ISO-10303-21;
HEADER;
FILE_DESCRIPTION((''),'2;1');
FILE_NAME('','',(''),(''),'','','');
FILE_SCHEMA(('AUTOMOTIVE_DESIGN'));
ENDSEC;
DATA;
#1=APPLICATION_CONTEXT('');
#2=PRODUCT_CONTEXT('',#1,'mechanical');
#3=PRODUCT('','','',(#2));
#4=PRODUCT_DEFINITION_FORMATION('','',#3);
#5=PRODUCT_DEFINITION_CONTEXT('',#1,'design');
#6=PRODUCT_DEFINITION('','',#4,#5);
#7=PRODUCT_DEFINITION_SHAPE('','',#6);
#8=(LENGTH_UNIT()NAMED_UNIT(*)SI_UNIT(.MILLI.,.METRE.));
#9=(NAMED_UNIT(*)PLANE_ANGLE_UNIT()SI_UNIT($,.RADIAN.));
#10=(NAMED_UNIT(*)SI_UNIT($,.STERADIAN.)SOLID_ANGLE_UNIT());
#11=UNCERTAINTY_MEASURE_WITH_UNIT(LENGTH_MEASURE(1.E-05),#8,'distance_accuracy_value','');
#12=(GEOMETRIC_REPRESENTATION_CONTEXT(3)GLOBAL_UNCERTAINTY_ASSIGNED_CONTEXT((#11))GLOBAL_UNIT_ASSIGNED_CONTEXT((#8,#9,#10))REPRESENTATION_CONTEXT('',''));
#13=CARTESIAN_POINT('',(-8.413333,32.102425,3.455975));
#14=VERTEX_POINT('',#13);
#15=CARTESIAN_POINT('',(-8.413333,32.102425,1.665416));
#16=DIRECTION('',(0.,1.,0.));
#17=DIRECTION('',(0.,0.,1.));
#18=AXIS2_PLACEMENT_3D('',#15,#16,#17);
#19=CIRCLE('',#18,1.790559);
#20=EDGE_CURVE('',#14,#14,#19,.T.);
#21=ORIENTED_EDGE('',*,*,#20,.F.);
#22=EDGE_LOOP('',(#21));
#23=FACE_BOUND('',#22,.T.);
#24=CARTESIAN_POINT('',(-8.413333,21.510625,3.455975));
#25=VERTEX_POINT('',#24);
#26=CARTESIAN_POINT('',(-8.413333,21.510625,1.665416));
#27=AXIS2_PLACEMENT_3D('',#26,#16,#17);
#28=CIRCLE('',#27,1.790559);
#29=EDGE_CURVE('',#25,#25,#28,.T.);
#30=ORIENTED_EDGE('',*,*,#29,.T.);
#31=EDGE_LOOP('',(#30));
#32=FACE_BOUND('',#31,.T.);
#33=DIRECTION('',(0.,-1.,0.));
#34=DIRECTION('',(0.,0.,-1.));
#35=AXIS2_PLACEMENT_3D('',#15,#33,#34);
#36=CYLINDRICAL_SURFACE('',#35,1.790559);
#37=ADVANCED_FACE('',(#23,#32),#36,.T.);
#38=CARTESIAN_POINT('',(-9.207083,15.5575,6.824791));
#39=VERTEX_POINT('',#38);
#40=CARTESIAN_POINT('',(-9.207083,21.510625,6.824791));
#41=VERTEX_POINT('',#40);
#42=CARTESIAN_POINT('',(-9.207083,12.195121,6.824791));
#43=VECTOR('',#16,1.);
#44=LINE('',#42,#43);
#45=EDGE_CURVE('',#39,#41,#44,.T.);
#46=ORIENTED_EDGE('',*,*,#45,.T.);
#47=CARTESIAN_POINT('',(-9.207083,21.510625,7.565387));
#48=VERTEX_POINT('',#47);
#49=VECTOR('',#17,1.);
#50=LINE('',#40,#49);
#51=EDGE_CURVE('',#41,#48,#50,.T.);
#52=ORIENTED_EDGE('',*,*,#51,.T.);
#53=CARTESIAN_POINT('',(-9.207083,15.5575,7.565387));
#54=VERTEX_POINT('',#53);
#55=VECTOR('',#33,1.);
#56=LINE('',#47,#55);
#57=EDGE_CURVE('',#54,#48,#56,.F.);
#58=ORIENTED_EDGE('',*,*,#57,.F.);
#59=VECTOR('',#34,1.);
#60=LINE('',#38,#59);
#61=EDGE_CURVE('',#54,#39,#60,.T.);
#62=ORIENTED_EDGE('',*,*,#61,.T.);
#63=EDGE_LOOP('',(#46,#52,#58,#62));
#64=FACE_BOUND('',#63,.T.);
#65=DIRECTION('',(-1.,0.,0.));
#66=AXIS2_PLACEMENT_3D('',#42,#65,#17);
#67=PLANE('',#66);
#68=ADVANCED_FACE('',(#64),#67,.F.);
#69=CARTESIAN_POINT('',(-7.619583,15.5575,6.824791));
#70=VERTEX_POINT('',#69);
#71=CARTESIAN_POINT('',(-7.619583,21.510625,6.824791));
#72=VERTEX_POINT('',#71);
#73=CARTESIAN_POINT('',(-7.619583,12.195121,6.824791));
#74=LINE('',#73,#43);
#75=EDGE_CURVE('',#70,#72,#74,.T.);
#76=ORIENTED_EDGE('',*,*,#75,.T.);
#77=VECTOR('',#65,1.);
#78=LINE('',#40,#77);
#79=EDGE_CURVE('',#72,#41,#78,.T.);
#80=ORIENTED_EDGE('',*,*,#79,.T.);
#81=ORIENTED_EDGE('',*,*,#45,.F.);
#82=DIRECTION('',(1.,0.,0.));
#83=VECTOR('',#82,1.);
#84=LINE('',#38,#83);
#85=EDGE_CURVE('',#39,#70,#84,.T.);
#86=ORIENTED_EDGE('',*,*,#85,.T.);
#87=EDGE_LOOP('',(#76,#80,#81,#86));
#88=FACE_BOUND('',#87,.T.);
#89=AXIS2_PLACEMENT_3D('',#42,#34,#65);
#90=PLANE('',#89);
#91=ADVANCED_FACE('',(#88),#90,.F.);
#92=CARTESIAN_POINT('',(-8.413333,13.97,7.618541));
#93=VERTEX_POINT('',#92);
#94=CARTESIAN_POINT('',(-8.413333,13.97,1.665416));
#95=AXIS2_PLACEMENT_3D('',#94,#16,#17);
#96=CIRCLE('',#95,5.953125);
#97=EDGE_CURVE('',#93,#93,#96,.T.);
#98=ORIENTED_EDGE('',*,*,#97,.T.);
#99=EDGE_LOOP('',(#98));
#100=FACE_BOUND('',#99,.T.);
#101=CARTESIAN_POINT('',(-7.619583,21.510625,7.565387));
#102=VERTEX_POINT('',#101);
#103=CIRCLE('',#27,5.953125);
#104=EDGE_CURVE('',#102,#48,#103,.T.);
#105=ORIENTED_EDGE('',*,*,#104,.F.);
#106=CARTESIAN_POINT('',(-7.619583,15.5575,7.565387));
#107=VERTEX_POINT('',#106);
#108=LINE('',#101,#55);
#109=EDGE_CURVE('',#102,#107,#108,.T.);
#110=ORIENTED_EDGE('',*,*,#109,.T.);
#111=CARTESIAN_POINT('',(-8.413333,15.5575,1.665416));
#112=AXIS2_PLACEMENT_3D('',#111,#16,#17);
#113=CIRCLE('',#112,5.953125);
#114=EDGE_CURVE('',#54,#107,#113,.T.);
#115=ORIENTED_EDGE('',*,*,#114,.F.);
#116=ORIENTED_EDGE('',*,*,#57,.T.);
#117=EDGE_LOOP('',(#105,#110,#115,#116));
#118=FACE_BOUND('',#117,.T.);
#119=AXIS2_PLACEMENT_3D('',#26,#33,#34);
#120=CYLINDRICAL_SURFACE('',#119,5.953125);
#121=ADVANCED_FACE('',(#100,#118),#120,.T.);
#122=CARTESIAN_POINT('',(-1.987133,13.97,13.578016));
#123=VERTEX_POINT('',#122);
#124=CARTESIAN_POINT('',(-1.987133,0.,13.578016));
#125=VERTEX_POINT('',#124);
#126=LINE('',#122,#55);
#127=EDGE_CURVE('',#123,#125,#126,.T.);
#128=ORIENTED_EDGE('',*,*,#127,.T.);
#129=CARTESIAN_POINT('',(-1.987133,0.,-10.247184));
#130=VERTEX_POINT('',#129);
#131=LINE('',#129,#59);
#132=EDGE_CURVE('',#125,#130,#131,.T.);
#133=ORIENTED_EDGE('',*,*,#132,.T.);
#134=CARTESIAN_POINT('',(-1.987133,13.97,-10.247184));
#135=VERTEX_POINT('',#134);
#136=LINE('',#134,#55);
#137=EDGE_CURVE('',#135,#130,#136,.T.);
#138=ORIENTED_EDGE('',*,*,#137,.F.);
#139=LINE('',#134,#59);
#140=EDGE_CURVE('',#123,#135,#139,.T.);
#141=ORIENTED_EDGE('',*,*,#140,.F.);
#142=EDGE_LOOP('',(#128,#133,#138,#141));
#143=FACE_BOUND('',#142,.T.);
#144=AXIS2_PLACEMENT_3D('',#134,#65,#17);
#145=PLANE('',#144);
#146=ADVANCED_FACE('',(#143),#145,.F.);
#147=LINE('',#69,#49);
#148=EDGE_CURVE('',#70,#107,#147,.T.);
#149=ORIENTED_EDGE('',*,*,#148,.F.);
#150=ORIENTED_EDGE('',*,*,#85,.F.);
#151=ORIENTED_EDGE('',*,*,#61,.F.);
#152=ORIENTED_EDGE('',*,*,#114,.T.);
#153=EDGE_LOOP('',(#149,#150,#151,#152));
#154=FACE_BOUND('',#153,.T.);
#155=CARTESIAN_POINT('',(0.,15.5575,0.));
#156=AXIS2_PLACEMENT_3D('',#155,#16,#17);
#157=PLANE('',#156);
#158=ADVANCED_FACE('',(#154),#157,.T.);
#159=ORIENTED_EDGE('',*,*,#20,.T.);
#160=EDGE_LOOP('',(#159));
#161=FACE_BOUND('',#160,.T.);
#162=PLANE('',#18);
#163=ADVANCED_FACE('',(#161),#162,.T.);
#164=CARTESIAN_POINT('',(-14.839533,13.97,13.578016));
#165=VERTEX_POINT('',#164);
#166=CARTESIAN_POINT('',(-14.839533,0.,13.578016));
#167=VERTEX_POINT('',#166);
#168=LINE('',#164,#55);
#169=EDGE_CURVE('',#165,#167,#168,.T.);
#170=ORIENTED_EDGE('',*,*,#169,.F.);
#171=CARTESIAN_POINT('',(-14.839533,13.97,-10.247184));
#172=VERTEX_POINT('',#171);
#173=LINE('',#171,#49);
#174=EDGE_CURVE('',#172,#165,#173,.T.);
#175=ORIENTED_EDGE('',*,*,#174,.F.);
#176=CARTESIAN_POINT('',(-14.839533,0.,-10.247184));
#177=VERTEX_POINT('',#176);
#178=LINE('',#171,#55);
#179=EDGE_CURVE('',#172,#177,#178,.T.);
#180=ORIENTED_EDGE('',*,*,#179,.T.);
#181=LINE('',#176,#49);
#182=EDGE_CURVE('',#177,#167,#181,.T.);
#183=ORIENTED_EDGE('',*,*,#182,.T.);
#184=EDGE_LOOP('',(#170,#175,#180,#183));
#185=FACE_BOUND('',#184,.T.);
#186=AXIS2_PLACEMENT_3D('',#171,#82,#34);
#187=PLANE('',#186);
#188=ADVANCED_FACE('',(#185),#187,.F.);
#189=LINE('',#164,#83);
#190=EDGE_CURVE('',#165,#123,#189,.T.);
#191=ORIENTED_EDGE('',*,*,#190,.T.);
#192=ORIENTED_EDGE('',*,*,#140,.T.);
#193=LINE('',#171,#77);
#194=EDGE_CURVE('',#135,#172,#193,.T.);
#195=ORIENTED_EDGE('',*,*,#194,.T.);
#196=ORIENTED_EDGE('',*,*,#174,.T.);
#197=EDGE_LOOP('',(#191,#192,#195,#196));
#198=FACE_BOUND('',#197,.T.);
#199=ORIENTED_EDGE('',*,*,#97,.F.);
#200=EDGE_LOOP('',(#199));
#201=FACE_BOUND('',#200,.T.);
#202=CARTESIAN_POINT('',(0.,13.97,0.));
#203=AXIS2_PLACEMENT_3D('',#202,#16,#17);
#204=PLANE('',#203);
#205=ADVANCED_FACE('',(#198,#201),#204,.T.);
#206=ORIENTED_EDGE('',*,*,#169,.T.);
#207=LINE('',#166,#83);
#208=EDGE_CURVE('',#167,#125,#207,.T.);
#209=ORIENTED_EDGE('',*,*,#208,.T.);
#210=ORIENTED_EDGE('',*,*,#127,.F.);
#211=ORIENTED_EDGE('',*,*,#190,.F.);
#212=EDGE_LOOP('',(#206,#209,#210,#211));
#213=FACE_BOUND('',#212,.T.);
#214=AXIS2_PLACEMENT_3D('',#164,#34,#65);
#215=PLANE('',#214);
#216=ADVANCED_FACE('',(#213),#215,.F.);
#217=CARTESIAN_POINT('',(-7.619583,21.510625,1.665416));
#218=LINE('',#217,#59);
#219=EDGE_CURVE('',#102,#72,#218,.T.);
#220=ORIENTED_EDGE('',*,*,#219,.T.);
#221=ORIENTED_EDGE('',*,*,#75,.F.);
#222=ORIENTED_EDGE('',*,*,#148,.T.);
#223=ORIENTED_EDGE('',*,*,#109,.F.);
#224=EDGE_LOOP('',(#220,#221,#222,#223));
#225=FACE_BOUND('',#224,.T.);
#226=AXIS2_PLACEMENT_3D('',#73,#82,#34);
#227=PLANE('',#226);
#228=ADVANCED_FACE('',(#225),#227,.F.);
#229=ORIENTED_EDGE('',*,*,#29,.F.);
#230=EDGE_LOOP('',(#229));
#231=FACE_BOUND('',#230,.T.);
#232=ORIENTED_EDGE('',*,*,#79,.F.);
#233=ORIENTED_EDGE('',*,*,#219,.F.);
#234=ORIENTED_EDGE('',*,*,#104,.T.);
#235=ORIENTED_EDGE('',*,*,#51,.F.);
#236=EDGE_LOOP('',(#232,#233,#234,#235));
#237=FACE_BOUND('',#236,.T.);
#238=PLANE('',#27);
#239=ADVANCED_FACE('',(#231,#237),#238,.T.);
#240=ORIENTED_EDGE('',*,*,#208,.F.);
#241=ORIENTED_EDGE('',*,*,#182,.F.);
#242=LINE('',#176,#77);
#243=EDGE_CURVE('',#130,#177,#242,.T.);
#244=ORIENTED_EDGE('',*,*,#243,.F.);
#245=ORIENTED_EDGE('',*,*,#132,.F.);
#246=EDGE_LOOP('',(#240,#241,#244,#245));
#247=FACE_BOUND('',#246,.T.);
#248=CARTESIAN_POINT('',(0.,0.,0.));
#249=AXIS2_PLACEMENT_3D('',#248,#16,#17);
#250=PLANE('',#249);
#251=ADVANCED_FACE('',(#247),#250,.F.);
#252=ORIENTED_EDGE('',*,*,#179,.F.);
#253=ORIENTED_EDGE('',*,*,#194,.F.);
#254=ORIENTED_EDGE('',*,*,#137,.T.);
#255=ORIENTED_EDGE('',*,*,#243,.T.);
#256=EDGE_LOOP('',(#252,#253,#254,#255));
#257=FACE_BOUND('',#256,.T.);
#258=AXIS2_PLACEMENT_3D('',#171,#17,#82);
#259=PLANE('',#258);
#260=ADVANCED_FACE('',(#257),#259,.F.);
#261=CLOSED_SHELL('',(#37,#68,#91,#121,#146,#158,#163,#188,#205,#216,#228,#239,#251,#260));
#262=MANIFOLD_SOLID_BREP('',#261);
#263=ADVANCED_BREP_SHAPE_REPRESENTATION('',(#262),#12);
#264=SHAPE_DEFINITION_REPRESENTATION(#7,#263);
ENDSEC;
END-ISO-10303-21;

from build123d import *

# Parameters (mm, degrees)
SKETCH1_W           = 12.8524
SKETCH1_H           = 23.8252
BOSS_EXTRUDE1_DEPTH = 13.97
SKETCH2_R           = 5.953125
BOSS_EXTRUDE2_DEPTH = 7.540625
SKETCH3_W           = 1.5875
SKETCH3_H           = 0.79375
CUT_EXTRUDE1_DEPTH  = 5.953125
SKETCH4_R           = 1.790559095
BOSS_EXTRUDE3_DEPTH = 10.5918


with BuildPart() as part:
    # Sketch1 → Boss-Extrude1 (new body)
    with BuildSketch(Plane(origin=(0, 0, 0), x_dir=(1, 0, 0), z_dir=(0, 1, 0))):
        with Locations((-8.41333272, -1.665416216)):
            Rectangle(SKETCH1_W, SKETCH1_H)
    extrude(amount=BOSS_EXTRUDE1_DEPTH)

    # Sketch2 → Boss-Extrude2 (add)
    with BuildSketch(Plane(origin=(0, 13.97, 0), x_dir=(1, 0, 0), z_dir=(0, 1, 0))):
        with Locations((-8.41333272, -1.665416216)):
            Circle(SKETCH2_R)
    extrude(amount=BOSS_EXTRUDE2_DEPTH)

    # Sketch3 → Cut-Extrude1 (cut)
    with BuildSketch(Plane(origin=(0, 21.510625, 0), x_dir=(1, 0, 0), z_dir=(0, 1, 0))):
        with Locations((-8.41333272, -7.221666216)):
            Rectangle(SKETCH3_W, SKETCH3_H)
    extrude(amount=-CUT_EXTRUDE1_DEPTH, mode=Mode.SUBTRACT)

    # Sketch4 → Boss-Extrude3 (add)
    with BuildSketch(Plane(origin=(0, 21.510625, 0), x_dir=(1, 0, 0), z_dir=(0, 1, 0))):
        with Locations((-8.41333272, -1.665416216)):
            Circle(SKETCH4_R)
    extrude(amount=BOSS_EXTRUDE3_DEPTH)


solid = part.part
